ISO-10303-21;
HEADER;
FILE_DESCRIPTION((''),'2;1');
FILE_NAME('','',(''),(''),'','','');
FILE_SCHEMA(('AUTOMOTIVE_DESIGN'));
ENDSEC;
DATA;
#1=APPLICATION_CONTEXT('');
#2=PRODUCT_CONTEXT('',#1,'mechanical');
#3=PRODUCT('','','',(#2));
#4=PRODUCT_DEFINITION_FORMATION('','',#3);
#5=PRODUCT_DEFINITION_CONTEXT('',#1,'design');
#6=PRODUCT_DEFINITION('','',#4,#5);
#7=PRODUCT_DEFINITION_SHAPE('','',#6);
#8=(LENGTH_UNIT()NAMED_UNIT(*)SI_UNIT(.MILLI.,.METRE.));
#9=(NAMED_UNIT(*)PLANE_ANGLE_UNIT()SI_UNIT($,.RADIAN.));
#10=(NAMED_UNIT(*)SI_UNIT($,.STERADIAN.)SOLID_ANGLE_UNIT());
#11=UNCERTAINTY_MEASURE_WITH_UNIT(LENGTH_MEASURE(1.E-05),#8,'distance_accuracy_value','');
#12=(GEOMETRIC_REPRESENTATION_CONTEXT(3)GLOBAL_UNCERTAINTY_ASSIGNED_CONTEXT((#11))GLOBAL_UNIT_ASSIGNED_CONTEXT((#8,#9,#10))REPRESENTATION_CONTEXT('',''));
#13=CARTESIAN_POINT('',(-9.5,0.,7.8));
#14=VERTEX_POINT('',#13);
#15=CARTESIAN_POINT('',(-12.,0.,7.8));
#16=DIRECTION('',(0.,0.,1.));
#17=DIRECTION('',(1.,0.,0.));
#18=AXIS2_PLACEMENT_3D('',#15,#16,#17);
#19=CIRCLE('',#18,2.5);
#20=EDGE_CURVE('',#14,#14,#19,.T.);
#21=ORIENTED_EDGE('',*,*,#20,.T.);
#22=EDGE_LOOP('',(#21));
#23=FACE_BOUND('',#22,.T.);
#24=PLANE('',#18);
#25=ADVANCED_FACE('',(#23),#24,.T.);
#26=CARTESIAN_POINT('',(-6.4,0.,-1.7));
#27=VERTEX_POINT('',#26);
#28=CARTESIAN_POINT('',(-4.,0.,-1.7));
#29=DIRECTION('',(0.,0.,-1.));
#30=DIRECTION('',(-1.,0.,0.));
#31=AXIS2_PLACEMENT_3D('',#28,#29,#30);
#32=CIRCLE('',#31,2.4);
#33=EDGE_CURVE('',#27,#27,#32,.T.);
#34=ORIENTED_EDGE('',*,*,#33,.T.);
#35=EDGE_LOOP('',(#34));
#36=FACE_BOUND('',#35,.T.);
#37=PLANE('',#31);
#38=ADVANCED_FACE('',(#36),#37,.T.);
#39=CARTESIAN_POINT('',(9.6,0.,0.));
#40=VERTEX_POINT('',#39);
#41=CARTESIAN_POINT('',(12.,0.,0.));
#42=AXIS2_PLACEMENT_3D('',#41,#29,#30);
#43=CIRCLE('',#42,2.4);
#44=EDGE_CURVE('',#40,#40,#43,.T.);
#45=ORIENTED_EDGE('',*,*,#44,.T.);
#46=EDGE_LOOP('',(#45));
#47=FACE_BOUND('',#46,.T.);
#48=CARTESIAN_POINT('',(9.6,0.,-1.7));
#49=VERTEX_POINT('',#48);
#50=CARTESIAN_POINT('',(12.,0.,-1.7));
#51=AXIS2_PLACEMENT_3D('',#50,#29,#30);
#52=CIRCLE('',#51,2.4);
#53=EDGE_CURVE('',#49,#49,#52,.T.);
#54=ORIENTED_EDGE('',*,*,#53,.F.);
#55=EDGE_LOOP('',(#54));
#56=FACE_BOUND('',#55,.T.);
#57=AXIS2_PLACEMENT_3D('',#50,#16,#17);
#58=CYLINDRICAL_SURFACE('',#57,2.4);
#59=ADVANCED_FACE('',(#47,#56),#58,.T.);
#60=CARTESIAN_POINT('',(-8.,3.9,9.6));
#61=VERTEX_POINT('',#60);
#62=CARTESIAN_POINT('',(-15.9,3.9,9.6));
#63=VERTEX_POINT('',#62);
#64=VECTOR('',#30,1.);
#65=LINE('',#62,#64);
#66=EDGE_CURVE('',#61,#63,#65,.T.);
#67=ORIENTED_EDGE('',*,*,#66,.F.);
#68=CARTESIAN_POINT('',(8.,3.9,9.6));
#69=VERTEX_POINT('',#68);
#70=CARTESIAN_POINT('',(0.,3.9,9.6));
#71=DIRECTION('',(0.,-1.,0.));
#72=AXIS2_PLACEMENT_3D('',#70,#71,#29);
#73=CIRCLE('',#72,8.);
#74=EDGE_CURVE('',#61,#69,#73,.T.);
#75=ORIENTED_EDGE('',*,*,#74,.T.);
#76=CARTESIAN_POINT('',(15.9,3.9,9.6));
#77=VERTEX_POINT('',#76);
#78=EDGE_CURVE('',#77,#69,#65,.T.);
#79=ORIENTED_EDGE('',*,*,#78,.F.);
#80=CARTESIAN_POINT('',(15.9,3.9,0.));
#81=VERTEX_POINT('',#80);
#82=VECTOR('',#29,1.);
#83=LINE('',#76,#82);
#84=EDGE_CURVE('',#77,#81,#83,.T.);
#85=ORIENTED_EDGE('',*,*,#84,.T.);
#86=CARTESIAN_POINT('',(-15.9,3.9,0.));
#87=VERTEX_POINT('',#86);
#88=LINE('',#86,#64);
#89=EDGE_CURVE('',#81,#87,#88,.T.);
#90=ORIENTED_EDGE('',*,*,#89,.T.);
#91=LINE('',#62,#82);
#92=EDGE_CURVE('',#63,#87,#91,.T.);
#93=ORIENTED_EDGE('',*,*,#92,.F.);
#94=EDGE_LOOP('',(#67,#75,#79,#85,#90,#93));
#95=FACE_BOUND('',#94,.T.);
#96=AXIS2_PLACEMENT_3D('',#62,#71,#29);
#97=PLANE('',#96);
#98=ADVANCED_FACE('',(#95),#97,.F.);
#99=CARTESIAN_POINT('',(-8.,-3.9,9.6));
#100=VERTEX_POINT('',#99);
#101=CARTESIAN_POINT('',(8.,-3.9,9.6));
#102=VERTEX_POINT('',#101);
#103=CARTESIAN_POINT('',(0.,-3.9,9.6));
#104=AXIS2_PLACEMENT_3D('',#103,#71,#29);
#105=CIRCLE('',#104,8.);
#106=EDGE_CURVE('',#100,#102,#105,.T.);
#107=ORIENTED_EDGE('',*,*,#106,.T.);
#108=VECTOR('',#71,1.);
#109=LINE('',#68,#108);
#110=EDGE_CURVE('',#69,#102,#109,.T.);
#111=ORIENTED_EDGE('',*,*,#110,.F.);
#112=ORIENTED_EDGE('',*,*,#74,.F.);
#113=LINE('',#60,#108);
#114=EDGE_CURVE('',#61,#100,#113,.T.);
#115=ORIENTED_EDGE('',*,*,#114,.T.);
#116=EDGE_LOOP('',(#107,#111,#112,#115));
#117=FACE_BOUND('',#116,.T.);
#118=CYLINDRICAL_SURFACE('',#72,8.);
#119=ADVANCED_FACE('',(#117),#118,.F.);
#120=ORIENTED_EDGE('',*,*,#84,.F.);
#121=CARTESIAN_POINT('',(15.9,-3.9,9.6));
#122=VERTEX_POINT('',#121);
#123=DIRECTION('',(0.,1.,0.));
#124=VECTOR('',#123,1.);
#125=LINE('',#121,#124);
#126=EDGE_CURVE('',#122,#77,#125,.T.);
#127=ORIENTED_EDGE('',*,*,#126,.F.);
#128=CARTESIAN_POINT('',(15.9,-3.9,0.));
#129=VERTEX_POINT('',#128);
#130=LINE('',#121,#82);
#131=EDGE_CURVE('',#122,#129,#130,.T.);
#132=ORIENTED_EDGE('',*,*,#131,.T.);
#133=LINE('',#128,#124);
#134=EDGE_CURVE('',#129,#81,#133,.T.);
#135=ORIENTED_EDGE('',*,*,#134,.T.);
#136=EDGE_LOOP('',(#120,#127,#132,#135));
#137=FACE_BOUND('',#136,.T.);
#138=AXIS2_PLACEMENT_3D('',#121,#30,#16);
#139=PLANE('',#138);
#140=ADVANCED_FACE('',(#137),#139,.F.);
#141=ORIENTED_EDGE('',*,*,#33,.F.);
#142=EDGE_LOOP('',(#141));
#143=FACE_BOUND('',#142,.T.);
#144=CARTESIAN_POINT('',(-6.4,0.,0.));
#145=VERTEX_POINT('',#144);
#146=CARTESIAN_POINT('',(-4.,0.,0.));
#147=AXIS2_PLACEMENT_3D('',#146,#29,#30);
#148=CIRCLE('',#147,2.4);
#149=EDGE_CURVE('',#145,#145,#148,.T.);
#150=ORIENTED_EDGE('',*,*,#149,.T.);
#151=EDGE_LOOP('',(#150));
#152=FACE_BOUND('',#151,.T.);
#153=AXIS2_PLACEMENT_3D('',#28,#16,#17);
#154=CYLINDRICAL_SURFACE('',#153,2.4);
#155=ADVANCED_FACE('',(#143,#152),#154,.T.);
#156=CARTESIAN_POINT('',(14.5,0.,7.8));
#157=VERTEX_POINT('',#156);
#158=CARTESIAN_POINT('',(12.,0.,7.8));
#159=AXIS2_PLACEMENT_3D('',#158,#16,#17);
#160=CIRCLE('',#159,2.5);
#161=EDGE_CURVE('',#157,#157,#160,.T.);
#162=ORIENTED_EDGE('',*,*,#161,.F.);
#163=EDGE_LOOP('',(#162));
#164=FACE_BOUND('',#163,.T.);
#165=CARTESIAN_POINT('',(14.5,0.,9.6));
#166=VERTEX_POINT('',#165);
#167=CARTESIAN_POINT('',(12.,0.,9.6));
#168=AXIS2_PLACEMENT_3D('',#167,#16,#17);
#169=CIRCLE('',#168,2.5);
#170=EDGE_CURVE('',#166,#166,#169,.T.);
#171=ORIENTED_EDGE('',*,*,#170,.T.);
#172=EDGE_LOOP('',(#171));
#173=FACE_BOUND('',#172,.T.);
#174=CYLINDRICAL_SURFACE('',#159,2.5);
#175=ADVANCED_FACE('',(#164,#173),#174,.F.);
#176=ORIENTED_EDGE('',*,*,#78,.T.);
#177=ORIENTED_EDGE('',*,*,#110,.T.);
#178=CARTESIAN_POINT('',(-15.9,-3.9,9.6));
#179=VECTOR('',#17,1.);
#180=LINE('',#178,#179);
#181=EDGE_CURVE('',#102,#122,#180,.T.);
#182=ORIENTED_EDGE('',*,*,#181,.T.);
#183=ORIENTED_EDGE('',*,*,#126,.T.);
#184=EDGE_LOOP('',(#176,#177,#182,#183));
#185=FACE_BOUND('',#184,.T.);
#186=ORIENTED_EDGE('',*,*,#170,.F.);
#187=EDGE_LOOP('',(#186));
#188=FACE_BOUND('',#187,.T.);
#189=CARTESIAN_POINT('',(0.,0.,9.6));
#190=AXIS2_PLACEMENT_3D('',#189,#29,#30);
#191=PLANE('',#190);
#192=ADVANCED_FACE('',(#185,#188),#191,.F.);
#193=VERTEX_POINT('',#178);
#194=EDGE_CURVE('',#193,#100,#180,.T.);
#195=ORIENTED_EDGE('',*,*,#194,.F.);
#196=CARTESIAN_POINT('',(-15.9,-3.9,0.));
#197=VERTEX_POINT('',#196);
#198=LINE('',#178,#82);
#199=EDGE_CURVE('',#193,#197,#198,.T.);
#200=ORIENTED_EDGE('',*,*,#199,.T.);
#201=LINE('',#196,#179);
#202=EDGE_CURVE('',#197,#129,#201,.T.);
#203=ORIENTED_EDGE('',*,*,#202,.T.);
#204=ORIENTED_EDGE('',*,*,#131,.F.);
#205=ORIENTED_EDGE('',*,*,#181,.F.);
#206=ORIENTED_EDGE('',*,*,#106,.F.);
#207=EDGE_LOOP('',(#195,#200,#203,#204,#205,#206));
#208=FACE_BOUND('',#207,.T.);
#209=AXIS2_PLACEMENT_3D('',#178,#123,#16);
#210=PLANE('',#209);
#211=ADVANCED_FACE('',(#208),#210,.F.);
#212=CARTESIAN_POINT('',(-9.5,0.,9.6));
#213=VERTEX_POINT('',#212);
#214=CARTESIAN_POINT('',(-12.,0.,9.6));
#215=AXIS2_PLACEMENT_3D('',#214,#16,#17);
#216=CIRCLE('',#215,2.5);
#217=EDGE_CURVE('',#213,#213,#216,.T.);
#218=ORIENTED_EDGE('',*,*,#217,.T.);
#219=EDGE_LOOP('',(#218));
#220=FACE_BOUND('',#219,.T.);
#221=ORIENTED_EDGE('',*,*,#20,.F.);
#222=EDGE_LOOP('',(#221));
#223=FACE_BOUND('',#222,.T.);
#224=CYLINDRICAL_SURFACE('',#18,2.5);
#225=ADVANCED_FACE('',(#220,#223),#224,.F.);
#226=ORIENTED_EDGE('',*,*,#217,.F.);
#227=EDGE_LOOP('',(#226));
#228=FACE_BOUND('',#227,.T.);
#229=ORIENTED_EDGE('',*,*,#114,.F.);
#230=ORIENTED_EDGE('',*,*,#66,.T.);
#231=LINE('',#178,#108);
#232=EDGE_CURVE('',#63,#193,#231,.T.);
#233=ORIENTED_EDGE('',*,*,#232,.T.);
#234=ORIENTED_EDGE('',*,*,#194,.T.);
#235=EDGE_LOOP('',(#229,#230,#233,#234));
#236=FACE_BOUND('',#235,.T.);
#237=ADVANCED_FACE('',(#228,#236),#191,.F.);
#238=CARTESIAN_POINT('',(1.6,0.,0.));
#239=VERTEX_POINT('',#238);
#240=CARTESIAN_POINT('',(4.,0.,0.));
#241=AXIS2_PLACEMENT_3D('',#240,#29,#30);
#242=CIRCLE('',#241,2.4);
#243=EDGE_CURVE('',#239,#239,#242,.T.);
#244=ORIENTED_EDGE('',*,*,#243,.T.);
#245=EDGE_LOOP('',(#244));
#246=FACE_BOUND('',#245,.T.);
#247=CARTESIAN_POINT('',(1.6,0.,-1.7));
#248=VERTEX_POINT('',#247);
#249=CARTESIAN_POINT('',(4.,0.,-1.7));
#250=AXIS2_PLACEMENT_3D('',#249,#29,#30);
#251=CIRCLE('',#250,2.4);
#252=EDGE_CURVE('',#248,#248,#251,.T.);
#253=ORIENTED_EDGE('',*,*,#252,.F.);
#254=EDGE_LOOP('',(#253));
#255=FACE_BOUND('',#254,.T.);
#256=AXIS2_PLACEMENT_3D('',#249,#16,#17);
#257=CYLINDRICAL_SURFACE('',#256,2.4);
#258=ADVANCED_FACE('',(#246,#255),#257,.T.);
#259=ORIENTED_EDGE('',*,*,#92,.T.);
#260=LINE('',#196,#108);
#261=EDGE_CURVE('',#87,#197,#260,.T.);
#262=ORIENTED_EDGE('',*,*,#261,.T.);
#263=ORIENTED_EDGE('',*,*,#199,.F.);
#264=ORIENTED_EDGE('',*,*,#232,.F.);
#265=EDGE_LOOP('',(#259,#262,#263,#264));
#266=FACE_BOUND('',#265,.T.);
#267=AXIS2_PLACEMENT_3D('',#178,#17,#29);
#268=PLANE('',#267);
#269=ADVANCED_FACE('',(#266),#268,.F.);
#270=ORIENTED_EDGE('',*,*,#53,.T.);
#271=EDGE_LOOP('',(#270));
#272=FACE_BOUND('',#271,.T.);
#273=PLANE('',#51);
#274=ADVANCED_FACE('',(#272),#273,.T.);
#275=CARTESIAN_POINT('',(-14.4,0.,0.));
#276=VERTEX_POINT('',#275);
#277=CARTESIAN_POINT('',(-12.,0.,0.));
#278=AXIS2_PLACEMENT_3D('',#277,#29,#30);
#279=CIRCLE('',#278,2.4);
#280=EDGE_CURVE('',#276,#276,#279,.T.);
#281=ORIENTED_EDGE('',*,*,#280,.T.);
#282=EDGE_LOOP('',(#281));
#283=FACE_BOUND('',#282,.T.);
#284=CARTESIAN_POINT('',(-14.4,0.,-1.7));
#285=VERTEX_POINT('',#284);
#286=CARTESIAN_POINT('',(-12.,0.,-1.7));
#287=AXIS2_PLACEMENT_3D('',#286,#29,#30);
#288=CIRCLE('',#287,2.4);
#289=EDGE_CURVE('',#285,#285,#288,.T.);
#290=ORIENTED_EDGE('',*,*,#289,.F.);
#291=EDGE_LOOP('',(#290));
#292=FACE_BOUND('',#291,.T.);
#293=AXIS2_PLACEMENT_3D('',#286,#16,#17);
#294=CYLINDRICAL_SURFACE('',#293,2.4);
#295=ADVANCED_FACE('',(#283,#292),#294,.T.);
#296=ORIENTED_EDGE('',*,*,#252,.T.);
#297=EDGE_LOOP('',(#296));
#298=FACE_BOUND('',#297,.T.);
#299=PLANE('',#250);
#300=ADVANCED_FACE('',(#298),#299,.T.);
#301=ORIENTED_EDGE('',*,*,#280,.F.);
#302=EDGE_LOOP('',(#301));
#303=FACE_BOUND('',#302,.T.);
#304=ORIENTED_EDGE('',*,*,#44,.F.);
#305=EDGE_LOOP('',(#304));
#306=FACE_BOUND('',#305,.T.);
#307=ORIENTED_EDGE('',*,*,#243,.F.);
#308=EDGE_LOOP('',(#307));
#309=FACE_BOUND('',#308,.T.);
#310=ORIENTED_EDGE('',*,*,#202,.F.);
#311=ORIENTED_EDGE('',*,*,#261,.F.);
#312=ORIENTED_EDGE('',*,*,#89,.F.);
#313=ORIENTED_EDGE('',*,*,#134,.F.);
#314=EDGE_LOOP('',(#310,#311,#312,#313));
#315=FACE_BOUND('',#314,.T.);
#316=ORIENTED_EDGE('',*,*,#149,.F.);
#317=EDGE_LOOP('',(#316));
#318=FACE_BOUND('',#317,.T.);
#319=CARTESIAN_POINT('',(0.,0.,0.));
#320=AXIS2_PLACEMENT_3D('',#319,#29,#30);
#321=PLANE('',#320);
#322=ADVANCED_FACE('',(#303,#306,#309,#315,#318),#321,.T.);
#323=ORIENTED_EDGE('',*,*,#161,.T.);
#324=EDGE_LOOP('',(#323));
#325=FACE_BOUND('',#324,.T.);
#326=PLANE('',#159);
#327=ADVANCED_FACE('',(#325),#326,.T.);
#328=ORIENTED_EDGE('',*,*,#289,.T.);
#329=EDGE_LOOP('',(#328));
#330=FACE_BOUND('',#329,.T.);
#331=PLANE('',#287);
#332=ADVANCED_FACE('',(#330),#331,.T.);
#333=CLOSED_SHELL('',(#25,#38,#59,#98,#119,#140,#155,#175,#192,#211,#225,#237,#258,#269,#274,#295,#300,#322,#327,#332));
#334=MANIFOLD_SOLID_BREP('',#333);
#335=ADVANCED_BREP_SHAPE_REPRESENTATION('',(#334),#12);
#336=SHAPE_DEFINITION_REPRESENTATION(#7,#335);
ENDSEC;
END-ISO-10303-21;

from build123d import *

# Parameters (mm, degrees)
SKETCH_1_W          = 31.8
SKETCH_1_H          = 7.8
EXTRUDE_2_DEPTH     = 9.6
SKETCH_2_R          = 2.4
EXTRUDE_3_DEPTH     = 1.7
CUT_EXTRUDE_2_DEPTH = 21.144726357
SKETCH_4_R          = 2.5
CUT_EXTRUDE_3_DEPTH = 1.8


with BuildPart() as part:
    # Эскиз1 → Бобышка-Вытянуть2 (new body)
    with BuildSketch(Plane.XY):
        Rectangle(SKETCH_1_W, SKETCH_1_H)
    extrude(amount=EXTRUDE_2_DEPTH)

    # Эскиз2 → Бобышка-Вытянуть3 (add)
    with BuildSketch(Plane(origin=(0, 0, 0), x_dir=(-1, 0, 0), z_dir=(0, 0, -1))):
        with Locations((-12, 0)):
            Circle(SKETCH_2_R)
        with Locations((-4, 0)):
            Circle(SKETCH_2_R)
        with Locations((4, 0)):
            Circle(SKETCH_2_R)
        with Locations((12, 0)):
            Circle(SKETCH_2_R)
    extrude(amount=EXTRUDE_3_DEPTH)

    # Эскиз3 → Вырез-Вытянуть2 (cut, through all)
    with BuildSketch(Plane.XZ.offset(3.9)):
        with BuildLine():
            Line((8, 9.6), (-8, 9.6))
            ThreePointArc((-8, 9.6), (0, 1.6), (8, 9.6))
        make_face()
    extrude(amount=-CUT_EXTRUDE_2_DEPTH, mode=Mode.SUBTRACT)

    # Эскиз4 → Вырез-Вытянуть3 (cut)
    with BuildSketch(Plane.XY.offset(9.6)):
        with Locations((12, 0)):
            Circle(SKETCH_4_R)
        with Locations((-12, 0)):
            Circle(SKETCH_4_R)
    extrude(amount=-CUT_EXTRUDE_3_DEPTH, mode=Mode.SUBTRACT)


solid = part.part
